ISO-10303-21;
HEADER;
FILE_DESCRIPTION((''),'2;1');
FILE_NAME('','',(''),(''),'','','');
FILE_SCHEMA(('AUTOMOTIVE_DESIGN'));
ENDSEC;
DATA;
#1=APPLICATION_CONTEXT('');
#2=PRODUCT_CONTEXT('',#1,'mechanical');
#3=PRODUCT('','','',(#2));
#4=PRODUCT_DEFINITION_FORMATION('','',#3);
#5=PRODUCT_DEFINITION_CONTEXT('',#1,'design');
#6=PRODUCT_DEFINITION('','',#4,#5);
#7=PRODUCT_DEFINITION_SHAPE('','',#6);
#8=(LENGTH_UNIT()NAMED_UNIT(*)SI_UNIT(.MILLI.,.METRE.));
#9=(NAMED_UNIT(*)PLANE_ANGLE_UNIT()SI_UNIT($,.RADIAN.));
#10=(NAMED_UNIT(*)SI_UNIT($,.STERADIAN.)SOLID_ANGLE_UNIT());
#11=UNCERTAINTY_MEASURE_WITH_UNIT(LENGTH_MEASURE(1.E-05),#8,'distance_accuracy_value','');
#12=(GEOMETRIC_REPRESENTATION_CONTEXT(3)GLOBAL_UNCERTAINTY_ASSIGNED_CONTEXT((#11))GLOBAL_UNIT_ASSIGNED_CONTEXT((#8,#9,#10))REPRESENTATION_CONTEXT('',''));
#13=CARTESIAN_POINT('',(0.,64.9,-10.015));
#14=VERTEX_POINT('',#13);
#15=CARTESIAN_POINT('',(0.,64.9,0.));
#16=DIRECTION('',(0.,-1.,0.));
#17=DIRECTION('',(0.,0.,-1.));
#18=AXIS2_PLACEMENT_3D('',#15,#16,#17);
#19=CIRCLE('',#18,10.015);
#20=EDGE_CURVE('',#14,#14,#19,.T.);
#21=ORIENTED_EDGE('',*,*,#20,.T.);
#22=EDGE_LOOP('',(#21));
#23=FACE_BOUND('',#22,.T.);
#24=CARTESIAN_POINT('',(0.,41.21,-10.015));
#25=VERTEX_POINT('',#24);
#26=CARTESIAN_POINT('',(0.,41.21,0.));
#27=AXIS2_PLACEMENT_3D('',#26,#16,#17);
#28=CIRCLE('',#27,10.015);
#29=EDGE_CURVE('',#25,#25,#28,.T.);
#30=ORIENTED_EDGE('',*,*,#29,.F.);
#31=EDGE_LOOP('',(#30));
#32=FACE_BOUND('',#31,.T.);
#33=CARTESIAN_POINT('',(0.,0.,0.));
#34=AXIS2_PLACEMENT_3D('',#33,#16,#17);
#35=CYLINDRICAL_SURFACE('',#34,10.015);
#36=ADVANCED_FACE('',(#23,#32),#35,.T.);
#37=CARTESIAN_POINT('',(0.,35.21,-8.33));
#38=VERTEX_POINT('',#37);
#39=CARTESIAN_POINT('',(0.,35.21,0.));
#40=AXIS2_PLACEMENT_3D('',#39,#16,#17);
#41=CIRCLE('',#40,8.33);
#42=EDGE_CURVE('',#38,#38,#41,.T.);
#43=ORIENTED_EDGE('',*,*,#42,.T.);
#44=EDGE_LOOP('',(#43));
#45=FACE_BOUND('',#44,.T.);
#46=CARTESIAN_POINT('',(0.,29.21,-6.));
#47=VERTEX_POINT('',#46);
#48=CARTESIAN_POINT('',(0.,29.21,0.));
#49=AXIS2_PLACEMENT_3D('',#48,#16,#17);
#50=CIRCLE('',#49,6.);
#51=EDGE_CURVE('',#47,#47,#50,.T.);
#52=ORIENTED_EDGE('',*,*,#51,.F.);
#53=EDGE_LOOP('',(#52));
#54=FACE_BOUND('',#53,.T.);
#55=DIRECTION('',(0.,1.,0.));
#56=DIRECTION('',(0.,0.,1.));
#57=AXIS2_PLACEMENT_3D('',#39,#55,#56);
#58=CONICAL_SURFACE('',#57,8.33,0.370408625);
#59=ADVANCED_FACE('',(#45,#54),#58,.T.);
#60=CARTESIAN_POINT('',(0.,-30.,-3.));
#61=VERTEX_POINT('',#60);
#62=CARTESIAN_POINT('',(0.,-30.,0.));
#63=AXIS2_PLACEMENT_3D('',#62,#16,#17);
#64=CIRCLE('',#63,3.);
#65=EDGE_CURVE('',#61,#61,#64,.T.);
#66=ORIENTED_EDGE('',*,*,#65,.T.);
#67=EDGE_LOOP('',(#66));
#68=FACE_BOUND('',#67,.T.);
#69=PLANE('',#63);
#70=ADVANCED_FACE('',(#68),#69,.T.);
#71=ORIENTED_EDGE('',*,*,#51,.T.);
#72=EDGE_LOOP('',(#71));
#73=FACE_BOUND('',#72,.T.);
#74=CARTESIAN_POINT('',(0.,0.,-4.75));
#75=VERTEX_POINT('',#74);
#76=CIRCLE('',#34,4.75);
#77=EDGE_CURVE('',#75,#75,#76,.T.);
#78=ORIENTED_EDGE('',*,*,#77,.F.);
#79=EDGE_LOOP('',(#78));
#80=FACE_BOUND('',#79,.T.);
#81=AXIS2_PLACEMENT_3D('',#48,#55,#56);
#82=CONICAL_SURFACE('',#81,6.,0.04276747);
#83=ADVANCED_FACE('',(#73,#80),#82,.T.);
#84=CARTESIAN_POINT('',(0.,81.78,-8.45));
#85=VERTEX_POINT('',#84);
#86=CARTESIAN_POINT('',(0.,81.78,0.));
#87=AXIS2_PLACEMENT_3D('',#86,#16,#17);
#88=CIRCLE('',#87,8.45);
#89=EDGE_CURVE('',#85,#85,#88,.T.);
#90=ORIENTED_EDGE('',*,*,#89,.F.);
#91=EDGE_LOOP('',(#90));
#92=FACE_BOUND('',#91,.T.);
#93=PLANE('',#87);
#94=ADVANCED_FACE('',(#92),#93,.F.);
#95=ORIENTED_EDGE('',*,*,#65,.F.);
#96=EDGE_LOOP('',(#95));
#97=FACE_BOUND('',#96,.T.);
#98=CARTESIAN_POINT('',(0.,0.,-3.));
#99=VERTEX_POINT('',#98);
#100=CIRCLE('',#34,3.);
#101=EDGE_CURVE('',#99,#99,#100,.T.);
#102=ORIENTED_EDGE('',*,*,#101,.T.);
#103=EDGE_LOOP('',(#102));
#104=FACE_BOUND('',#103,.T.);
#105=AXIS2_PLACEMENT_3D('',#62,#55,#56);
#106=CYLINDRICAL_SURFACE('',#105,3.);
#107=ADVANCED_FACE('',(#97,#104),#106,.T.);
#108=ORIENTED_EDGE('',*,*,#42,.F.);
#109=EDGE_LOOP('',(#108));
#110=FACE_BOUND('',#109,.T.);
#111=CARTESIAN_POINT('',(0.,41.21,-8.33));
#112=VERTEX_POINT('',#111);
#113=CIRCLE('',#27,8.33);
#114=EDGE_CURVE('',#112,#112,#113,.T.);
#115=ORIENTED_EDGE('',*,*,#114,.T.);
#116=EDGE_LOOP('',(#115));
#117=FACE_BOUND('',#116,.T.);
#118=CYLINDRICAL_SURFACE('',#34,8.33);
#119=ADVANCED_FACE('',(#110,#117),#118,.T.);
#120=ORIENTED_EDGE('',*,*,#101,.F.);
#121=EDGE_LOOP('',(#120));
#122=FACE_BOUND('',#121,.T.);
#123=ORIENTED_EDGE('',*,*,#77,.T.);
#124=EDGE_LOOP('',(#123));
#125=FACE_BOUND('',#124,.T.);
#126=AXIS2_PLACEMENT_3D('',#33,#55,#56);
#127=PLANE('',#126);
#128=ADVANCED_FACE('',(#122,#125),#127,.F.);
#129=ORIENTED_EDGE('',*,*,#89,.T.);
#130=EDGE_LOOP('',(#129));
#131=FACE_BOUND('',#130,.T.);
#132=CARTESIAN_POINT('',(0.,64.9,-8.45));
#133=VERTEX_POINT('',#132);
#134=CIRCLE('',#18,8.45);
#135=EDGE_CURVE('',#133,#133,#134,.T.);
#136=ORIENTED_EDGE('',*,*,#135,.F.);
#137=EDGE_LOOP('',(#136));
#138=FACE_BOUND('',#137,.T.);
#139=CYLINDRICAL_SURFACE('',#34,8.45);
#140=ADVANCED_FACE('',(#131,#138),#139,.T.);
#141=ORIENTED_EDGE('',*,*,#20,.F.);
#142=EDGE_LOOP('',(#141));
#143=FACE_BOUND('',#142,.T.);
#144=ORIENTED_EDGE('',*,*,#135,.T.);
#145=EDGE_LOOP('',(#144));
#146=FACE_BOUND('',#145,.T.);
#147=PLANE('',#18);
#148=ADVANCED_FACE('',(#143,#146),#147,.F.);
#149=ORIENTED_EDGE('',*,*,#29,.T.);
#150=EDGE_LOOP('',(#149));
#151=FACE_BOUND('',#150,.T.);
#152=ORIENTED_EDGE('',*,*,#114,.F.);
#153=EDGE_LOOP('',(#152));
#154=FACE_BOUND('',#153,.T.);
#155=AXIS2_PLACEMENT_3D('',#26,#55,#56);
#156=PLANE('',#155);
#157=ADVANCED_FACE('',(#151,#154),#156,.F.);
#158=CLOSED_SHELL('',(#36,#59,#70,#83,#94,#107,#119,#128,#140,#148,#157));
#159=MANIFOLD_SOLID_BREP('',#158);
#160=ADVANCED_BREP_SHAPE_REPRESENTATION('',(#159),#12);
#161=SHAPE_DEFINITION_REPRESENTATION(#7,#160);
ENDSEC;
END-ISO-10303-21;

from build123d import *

# Parameters (mm, degrees)
SKETCH2_R           = 3
BOSS_EXTRUDE1_DEPTH = 30


with BuildPart() as part:
    # Sketch1 → Revolve1 (revolve)
    with BuildSketch(Plane.XY):
        Polygon((0, 81.78), (0, 41.21), (8.33, 41.21), (10.015, 41.21), (10.015, 64.9), (8.45, 64.9), (8.45, 81.78), align=None)
    revolve(axis=Axis((0, 0, 0), (0, 1, 0)))

    # Sketch1<3> → Revolve2 (revolve)
    with BuildSketch(Plane.XY):
        Polygon((0, 41.21), (0, 0), (4.75, 0), (6, 29.21), (8.33, 35.21), (8.33, 41.21), align=None)
    revolve(axis=Axis((0, 0, 0), (0, 1, 0)))

    # Sketch2 → Boss-Extrude1 (add)
    with BuildSketch(Plane.XZ):
        Circle(SKETCH2_R)
    extrude(amount=BOSS_EXTRUDE1_DEPTH)


solid = part.part
